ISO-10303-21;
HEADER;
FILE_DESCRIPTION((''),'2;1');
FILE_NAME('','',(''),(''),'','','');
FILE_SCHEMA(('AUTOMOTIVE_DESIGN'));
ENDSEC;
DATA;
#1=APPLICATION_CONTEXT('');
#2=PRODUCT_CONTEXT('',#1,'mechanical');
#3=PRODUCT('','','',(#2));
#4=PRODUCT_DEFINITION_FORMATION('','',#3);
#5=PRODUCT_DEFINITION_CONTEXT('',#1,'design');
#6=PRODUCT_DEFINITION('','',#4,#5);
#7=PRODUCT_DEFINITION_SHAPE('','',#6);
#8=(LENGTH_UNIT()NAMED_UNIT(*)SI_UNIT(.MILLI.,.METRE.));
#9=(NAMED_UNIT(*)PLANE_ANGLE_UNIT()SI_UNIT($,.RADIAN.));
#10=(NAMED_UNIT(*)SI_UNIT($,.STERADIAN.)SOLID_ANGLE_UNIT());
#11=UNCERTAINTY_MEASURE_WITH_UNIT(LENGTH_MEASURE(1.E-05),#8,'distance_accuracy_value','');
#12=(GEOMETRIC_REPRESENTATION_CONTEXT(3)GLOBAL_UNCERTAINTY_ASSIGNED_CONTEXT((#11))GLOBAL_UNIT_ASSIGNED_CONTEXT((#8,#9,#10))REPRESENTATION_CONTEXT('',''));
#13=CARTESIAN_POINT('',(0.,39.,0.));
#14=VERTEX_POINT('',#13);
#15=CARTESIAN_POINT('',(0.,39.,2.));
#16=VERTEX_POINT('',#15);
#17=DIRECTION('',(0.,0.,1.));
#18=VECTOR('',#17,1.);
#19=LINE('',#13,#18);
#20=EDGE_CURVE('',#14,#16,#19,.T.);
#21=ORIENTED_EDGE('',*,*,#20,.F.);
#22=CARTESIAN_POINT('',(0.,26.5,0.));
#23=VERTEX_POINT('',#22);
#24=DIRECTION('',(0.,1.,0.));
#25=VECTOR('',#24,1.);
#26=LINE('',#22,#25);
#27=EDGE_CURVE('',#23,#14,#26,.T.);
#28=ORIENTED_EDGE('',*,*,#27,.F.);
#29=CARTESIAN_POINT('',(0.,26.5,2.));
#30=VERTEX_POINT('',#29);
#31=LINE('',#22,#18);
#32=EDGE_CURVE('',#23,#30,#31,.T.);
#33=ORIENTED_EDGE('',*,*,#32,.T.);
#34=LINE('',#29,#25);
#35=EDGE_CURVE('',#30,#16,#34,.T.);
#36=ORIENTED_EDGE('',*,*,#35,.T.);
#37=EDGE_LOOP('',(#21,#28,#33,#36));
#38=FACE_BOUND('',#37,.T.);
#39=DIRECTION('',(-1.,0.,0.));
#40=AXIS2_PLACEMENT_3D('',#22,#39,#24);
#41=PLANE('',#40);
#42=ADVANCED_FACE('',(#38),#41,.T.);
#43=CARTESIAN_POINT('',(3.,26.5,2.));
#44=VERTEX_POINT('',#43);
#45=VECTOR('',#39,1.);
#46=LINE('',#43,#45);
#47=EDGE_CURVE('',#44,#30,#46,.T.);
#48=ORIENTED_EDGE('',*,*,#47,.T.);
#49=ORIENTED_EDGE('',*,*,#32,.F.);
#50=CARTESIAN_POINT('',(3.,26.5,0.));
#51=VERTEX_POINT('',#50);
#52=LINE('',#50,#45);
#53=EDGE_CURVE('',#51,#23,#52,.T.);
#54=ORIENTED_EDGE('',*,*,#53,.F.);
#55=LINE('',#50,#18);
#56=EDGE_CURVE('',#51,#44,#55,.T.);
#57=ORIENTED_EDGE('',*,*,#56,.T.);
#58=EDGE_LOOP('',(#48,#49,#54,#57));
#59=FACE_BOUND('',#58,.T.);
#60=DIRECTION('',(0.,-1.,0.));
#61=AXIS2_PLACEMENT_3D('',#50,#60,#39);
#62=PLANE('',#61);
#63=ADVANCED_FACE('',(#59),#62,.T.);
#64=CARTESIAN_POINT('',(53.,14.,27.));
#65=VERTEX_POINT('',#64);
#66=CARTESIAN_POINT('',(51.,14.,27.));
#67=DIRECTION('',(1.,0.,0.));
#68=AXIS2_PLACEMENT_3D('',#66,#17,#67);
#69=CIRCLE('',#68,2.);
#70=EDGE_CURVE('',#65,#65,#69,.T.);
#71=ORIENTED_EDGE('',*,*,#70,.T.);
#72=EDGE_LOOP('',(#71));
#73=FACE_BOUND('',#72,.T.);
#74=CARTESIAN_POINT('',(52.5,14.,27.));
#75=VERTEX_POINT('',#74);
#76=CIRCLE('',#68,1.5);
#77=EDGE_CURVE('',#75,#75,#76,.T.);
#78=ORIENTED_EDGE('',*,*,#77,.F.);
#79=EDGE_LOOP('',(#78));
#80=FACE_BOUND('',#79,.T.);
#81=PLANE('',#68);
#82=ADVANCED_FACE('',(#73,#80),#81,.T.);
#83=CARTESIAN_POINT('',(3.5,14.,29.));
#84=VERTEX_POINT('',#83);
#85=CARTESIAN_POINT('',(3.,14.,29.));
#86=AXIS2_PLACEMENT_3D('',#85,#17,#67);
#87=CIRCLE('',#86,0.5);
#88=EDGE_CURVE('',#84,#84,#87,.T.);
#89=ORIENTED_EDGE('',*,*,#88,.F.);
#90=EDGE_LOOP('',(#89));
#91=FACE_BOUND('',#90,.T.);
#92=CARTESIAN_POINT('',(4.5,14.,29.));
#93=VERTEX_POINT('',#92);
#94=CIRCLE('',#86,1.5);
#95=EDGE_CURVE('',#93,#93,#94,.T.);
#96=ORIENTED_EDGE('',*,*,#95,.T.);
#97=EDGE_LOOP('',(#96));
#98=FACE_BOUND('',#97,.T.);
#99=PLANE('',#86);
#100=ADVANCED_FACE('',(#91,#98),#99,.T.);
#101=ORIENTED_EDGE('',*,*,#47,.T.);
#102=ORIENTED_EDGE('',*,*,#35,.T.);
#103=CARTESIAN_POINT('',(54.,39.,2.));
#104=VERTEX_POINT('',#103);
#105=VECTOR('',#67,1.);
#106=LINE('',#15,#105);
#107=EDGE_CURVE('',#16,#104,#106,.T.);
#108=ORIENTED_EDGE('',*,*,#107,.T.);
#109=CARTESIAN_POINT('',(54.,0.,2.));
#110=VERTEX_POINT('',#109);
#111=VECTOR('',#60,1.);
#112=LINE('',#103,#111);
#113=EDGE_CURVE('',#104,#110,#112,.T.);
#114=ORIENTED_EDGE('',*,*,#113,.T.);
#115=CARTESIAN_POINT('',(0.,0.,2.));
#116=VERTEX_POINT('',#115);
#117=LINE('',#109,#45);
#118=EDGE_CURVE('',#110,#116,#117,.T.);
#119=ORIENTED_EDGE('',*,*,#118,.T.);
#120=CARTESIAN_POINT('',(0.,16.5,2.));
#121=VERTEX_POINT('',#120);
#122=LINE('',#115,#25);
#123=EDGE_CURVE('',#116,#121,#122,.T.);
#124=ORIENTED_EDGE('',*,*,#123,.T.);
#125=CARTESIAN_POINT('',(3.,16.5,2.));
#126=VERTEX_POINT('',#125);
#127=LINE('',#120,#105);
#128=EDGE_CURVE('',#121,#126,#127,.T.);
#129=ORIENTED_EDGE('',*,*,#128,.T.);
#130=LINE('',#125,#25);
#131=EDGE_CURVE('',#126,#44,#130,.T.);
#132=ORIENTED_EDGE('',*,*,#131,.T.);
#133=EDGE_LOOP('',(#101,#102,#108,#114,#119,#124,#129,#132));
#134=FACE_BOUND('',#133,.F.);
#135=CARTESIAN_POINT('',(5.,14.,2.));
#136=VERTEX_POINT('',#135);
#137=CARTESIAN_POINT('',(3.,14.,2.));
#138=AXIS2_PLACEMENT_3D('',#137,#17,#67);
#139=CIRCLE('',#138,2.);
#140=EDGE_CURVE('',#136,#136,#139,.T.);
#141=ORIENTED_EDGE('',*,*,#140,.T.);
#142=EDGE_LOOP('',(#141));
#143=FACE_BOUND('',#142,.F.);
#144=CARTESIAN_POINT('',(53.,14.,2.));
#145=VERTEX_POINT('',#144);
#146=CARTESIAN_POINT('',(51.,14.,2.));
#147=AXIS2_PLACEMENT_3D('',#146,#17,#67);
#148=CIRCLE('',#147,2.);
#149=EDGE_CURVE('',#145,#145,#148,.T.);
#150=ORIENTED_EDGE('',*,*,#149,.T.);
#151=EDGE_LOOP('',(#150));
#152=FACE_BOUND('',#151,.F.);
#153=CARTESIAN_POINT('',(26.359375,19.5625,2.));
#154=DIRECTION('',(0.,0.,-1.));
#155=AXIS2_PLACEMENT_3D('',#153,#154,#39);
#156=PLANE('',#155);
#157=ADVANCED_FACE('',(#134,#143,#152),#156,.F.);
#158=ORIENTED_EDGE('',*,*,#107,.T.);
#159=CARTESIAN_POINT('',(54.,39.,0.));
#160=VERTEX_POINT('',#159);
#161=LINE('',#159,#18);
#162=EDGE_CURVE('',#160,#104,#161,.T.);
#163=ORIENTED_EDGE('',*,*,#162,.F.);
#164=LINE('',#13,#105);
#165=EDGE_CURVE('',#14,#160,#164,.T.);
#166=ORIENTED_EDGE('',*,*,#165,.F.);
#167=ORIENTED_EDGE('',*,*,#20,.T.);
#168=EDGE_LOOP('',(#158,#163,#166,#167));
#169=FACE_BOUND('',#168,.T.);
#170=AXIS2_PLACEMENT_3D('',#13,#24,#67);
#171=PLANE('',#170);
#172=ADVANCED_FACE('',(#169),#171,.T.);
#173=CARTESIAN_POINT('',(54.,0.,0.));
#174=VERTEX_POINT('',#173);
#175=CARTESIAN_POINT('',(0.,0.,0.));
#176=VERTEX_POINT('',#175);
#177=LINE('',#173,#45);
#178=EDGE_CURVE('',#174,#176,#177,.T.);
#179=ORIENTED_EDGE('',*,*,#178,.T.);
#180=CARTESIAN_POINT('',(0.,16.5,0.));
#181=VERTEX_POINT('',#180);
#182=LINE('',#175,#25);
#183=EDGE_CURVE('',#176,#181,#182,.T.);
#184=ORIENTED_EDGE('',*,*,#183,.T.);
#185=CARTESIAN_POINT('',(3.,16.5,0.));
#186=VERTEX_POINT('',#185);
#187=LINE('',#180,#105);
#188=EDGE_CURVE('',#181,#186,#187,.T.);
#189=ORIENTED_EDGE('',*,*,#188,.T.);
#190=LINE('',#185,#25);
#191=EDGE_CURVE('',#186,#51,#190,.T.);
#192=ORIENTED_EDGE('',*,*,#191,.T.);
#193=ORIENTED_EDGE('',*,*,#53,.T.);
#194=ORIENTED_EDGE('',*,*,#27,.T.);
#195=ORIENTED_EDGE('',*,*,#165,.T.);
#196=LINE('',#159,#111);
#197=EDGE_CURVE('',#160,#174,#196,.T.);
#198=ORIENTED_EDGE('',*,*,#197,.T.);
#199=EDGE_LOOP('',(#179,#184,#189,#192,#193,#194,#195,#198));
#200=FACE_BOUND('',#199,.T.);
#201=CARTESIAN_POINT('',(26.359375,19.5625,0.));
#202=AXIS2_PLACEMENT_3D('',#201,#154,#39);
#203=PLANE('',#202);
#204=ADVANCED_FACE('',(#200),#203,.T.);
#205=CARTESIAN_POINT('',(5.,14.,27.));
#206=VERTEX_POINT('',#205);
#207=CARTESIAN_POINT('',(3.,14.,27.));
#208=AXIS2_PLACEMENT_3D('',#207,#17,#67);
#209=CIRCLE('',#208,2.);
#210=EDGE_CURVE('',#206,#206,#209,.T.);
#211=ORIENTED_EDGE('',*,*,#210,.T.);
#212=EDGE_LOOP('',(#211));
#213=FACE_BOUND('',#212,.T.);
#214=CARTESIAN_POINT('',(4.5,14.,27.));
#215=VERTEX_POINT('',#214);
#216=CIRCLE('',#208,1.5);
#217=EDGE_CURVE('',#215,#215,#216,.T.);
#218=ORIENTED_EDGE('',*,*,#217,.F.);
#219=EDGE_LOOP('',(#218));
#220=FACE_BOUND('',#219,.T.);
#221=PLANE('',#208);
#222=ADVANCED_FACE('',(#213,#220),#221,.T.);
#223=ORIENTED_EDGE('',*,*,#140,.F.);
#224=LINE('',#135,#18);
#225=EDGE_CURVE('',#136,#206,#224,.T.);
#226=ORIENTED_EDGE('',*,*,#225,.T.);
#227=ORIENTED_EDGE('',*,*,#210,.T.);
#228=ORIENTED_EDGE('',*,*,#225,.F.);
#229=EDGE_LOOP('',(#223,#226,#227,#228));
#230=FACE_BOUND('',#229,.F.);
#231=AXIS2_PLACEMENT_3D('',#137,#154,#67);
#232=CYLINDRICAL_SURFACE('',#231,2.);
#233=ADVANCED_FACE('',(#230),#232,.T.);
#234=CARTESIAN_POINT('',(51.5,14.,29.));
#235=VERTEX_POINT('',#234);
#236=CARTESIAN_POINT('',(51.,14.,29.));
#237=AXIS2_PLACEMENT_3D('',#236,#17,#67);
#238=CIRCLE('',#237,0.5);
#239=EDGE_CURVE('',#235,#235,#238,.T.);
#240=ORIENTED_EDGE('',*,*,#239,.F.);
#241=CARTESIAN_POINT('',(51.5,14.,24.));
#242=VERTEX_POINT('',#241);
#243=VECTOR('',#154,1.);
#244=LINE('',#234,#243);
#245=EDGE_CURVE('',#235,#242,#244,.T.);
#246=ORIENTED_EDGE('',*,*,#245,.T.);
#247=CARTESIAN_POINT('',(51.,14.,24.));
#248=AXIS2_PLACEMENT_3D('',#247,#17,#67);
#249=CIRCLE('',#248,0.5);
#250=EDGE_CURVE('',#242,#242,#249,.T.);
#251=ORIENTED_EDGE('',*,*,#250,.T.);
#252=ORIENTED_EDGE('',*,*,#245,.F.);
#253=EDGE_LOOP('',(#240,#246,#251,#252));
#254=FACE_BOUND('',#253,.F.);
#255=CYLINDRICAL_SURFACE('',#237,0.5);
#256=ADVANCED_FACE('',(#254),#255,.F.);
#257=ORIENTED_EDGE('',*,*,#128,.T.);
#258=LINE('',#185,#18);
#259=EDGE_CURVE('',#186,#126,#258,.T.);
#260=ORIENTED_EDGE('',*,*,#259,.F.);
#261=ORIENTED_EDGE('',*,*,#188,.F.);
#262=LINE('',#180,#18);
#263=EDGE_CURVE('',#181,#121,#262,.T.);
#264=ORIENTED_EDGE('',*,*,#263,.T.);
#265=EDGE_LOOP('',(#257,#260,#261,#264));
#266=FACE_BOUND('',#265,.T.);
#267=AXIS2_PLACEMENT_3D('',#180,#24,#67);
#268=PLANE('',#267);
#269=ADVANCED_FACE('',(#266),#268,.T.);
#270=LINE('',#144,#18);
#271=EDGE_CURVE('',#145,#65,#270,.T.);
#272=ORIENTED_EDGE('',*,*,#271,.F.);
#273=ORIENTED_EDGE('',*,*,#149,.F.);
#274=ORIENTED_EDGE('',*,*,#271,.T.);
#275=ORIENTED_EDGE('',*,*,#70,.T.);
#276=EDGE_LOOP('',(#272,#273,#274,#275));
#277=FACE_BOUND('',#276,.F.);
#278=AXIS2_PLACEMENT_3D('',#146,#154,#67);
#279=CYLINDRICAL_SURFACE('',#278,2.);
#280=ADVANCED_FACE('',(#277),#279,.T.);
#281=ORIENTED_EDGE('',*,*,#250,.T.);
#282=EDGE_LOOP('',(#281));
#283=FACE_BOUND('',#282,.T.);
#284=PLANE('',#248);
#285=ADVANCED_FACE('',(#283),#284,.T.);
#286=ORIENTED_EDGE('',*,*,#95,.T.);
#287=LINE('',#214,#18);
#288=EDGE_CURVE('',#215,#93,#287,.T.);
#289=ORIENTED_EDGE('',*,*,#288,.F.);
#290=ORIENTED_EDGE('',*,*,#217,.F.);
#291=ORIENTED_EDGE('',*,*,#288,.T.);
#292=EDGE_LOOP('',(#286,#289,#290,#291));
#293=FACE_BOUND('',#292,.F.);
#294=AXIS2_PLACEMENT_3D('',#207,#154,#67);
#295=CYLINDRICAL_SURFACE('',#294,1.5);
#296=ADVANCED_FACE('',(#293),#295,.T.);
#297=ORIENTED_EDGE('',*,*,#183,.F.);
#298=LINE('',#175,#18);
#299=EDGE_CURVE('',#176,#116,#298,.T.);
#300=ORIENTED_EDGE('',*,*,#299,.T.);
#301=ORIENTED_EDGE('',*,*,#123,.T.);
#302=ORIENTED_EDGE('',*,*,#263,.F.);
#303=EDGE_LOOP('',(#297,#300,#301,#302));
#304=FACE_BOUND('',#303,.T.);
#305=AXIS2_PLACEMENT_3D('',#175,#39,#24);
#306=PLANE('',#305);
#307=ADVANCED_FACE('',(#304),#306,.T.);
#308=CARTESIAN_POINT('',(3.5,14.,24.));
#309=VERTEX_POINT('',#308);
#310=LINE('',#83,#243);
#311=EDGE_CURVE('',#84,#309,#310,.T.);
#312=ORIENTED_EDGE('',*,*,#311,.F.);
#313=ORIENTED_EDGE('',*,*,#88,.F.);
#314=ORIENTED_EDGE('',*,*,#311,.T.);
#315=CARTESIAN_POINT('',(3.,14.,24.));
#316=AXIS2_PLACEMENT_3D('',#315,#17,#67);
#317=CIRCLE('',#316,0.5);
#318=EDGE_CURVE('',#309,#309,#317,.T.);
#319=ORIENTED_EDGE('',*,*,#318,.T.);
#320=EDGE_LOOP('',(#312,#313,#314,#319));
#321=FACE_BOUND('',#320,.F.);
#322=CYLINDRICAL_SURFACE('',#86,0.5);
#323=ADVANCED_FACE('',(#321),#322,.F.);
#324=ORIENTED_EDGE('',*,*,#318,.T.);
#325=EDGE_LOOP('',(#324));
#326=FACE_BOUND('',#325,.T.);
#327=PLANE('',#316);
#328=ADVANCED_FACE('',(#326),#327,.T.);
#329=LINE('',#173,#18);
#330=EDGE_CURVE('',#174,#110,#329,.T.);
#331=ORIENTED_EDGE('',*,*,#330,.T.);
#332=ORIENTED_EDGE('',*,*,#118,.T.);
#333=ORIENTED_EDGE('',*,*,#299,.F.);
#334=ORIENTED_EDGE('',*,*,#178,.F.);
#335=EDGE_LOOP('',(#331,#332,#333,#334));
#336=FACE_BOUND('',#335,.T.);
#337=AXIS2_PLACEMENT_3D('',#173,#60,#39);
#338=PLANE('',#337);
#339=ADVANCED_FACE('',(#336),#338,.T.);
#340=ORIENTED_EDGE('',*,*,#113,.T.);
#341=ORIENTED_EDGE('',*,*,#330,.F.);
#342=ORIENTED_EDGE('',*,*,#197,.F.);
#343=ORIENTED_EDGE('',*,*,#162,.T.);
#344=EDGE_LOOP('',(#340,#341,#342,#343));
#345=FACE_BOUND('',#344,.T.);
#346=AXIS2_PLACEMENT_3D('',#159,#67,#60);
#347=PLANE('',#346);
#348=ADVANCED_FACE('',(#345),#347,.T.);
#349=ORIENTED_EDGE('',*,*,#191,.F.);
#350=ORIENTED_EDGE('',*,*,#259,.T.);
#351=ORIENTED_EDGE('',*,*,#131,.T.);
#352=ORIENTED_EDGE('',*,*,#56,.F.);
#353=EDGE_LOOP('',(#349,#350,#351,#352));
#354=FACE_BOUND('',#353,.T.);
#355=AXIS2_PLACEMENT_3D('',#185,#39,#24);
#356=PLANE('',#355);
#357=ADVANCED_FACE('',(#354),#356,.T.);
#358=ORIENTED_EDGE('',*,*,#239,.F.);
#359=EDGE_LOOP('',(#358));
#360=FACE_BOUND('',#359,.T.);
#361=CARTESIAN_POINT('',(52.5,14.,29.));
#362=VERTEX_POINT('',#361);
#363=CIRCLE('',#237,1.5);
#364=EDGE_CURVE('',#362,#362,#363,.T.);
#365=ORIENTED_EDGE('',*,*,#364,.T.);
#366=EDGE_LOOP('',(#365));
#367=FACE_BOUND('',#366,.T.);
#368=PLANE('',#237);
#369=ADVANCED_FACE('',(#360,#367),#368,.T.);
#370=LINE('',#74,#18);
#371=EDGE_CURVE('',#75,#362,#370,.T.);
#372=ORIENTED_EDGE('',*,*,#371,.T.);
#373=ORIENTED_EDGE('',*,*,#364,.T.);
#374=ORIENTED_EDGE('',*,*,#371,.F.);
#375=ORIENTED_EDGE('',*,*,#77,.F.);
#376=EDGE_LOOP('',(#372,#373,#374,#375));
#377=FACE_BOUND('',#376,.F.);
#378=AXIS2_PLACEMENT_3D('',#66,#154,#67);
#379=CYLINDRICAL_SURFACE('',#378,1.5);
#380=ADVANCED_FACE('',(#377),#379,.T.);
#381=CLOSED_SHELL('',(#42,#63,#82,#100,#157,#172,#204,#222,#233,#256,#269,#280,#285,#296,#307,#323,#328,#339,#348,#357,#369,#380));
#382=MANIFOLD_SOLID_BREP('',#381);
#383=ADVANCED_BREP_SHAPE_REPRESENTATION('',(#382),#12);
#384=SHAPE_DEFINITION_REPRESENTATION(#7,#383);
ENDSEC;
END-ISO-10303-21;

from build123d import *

# Parameters (mm, degrees)
PAD_DEPTH       = 2
SKETCH001_R     = 2
PAD001_DEPTH    = 25
SKETCH002_R     = 1.5
PAD002_DEPTH    = 2
SKETCH003_R     = 1.5
PAD003_DEPTH    = 2
SKETCH004_R     = 0.5
POCKET_DEPTH    = 5
SKETCH005_R     = 0.5
POCKET001_DEPTH = 5


with BuildPart() as part:
    # Sketch → Pad (new body)
    with BuildSketch(Plane.XY):
        Polygon((0, 39), (54, 39), (54, 0), (0, 0), (0, 16.5), (3, 16.5), (3, 26.5), (0, 26.5), align=None)
    extrude(amount=PAD_DEPTH)

    # Sketch001 (on Face10 of Pad) → Pad001 (join)
    with BuildSketch(Plane.XY.offset(2)):
        with Locations((3, 14)):
            Circle(SKETCH001_R)
        with Locations((51, 14)):
            Circle(SKETCH001_R)
    extrude(amount=PAD001_DEPTH)

    # Sketch002 (on Face13 of Pad001) → Pad002 (join)
    with BuildSketch(Plane.XY.offset(27)):
        with Locations((3, 14)):
            Circle(SKETCH002_R)
    extrude(amount=PAD002_DEPTH)

    # Sketch003 (on Face14 of Pad002) → Pad003 (join)
    with BuildSketch(Plane.XY.offset(27)):
        with Locations((51, 14)):
            Circle(SKETCH003_R)
    extrude(amount=PAD003_DEPTH)

    # Sketch004 (on Face17 of Pad003) → Pocket (cut)
    with BuildSketch(Plane.XY.offset(29)):
        with Locations((3, 14)):
            Circle(SKETCH004_R)
    extrude(amount=-POCKET_DEPTH, mode=Mode.SUBTRACT)

    # Sketch005 (on Face18 of Pocket) → Pocket001 (cut)
    with BuildSketch(Plane.XY.offset(29)):
        with Locations((51, 14)):
            Circle(SKETCH005_R)
    extrude(amount=-POCKET001_DEPTH, mode=Mode.SUBTRACT)


solid = part.part
